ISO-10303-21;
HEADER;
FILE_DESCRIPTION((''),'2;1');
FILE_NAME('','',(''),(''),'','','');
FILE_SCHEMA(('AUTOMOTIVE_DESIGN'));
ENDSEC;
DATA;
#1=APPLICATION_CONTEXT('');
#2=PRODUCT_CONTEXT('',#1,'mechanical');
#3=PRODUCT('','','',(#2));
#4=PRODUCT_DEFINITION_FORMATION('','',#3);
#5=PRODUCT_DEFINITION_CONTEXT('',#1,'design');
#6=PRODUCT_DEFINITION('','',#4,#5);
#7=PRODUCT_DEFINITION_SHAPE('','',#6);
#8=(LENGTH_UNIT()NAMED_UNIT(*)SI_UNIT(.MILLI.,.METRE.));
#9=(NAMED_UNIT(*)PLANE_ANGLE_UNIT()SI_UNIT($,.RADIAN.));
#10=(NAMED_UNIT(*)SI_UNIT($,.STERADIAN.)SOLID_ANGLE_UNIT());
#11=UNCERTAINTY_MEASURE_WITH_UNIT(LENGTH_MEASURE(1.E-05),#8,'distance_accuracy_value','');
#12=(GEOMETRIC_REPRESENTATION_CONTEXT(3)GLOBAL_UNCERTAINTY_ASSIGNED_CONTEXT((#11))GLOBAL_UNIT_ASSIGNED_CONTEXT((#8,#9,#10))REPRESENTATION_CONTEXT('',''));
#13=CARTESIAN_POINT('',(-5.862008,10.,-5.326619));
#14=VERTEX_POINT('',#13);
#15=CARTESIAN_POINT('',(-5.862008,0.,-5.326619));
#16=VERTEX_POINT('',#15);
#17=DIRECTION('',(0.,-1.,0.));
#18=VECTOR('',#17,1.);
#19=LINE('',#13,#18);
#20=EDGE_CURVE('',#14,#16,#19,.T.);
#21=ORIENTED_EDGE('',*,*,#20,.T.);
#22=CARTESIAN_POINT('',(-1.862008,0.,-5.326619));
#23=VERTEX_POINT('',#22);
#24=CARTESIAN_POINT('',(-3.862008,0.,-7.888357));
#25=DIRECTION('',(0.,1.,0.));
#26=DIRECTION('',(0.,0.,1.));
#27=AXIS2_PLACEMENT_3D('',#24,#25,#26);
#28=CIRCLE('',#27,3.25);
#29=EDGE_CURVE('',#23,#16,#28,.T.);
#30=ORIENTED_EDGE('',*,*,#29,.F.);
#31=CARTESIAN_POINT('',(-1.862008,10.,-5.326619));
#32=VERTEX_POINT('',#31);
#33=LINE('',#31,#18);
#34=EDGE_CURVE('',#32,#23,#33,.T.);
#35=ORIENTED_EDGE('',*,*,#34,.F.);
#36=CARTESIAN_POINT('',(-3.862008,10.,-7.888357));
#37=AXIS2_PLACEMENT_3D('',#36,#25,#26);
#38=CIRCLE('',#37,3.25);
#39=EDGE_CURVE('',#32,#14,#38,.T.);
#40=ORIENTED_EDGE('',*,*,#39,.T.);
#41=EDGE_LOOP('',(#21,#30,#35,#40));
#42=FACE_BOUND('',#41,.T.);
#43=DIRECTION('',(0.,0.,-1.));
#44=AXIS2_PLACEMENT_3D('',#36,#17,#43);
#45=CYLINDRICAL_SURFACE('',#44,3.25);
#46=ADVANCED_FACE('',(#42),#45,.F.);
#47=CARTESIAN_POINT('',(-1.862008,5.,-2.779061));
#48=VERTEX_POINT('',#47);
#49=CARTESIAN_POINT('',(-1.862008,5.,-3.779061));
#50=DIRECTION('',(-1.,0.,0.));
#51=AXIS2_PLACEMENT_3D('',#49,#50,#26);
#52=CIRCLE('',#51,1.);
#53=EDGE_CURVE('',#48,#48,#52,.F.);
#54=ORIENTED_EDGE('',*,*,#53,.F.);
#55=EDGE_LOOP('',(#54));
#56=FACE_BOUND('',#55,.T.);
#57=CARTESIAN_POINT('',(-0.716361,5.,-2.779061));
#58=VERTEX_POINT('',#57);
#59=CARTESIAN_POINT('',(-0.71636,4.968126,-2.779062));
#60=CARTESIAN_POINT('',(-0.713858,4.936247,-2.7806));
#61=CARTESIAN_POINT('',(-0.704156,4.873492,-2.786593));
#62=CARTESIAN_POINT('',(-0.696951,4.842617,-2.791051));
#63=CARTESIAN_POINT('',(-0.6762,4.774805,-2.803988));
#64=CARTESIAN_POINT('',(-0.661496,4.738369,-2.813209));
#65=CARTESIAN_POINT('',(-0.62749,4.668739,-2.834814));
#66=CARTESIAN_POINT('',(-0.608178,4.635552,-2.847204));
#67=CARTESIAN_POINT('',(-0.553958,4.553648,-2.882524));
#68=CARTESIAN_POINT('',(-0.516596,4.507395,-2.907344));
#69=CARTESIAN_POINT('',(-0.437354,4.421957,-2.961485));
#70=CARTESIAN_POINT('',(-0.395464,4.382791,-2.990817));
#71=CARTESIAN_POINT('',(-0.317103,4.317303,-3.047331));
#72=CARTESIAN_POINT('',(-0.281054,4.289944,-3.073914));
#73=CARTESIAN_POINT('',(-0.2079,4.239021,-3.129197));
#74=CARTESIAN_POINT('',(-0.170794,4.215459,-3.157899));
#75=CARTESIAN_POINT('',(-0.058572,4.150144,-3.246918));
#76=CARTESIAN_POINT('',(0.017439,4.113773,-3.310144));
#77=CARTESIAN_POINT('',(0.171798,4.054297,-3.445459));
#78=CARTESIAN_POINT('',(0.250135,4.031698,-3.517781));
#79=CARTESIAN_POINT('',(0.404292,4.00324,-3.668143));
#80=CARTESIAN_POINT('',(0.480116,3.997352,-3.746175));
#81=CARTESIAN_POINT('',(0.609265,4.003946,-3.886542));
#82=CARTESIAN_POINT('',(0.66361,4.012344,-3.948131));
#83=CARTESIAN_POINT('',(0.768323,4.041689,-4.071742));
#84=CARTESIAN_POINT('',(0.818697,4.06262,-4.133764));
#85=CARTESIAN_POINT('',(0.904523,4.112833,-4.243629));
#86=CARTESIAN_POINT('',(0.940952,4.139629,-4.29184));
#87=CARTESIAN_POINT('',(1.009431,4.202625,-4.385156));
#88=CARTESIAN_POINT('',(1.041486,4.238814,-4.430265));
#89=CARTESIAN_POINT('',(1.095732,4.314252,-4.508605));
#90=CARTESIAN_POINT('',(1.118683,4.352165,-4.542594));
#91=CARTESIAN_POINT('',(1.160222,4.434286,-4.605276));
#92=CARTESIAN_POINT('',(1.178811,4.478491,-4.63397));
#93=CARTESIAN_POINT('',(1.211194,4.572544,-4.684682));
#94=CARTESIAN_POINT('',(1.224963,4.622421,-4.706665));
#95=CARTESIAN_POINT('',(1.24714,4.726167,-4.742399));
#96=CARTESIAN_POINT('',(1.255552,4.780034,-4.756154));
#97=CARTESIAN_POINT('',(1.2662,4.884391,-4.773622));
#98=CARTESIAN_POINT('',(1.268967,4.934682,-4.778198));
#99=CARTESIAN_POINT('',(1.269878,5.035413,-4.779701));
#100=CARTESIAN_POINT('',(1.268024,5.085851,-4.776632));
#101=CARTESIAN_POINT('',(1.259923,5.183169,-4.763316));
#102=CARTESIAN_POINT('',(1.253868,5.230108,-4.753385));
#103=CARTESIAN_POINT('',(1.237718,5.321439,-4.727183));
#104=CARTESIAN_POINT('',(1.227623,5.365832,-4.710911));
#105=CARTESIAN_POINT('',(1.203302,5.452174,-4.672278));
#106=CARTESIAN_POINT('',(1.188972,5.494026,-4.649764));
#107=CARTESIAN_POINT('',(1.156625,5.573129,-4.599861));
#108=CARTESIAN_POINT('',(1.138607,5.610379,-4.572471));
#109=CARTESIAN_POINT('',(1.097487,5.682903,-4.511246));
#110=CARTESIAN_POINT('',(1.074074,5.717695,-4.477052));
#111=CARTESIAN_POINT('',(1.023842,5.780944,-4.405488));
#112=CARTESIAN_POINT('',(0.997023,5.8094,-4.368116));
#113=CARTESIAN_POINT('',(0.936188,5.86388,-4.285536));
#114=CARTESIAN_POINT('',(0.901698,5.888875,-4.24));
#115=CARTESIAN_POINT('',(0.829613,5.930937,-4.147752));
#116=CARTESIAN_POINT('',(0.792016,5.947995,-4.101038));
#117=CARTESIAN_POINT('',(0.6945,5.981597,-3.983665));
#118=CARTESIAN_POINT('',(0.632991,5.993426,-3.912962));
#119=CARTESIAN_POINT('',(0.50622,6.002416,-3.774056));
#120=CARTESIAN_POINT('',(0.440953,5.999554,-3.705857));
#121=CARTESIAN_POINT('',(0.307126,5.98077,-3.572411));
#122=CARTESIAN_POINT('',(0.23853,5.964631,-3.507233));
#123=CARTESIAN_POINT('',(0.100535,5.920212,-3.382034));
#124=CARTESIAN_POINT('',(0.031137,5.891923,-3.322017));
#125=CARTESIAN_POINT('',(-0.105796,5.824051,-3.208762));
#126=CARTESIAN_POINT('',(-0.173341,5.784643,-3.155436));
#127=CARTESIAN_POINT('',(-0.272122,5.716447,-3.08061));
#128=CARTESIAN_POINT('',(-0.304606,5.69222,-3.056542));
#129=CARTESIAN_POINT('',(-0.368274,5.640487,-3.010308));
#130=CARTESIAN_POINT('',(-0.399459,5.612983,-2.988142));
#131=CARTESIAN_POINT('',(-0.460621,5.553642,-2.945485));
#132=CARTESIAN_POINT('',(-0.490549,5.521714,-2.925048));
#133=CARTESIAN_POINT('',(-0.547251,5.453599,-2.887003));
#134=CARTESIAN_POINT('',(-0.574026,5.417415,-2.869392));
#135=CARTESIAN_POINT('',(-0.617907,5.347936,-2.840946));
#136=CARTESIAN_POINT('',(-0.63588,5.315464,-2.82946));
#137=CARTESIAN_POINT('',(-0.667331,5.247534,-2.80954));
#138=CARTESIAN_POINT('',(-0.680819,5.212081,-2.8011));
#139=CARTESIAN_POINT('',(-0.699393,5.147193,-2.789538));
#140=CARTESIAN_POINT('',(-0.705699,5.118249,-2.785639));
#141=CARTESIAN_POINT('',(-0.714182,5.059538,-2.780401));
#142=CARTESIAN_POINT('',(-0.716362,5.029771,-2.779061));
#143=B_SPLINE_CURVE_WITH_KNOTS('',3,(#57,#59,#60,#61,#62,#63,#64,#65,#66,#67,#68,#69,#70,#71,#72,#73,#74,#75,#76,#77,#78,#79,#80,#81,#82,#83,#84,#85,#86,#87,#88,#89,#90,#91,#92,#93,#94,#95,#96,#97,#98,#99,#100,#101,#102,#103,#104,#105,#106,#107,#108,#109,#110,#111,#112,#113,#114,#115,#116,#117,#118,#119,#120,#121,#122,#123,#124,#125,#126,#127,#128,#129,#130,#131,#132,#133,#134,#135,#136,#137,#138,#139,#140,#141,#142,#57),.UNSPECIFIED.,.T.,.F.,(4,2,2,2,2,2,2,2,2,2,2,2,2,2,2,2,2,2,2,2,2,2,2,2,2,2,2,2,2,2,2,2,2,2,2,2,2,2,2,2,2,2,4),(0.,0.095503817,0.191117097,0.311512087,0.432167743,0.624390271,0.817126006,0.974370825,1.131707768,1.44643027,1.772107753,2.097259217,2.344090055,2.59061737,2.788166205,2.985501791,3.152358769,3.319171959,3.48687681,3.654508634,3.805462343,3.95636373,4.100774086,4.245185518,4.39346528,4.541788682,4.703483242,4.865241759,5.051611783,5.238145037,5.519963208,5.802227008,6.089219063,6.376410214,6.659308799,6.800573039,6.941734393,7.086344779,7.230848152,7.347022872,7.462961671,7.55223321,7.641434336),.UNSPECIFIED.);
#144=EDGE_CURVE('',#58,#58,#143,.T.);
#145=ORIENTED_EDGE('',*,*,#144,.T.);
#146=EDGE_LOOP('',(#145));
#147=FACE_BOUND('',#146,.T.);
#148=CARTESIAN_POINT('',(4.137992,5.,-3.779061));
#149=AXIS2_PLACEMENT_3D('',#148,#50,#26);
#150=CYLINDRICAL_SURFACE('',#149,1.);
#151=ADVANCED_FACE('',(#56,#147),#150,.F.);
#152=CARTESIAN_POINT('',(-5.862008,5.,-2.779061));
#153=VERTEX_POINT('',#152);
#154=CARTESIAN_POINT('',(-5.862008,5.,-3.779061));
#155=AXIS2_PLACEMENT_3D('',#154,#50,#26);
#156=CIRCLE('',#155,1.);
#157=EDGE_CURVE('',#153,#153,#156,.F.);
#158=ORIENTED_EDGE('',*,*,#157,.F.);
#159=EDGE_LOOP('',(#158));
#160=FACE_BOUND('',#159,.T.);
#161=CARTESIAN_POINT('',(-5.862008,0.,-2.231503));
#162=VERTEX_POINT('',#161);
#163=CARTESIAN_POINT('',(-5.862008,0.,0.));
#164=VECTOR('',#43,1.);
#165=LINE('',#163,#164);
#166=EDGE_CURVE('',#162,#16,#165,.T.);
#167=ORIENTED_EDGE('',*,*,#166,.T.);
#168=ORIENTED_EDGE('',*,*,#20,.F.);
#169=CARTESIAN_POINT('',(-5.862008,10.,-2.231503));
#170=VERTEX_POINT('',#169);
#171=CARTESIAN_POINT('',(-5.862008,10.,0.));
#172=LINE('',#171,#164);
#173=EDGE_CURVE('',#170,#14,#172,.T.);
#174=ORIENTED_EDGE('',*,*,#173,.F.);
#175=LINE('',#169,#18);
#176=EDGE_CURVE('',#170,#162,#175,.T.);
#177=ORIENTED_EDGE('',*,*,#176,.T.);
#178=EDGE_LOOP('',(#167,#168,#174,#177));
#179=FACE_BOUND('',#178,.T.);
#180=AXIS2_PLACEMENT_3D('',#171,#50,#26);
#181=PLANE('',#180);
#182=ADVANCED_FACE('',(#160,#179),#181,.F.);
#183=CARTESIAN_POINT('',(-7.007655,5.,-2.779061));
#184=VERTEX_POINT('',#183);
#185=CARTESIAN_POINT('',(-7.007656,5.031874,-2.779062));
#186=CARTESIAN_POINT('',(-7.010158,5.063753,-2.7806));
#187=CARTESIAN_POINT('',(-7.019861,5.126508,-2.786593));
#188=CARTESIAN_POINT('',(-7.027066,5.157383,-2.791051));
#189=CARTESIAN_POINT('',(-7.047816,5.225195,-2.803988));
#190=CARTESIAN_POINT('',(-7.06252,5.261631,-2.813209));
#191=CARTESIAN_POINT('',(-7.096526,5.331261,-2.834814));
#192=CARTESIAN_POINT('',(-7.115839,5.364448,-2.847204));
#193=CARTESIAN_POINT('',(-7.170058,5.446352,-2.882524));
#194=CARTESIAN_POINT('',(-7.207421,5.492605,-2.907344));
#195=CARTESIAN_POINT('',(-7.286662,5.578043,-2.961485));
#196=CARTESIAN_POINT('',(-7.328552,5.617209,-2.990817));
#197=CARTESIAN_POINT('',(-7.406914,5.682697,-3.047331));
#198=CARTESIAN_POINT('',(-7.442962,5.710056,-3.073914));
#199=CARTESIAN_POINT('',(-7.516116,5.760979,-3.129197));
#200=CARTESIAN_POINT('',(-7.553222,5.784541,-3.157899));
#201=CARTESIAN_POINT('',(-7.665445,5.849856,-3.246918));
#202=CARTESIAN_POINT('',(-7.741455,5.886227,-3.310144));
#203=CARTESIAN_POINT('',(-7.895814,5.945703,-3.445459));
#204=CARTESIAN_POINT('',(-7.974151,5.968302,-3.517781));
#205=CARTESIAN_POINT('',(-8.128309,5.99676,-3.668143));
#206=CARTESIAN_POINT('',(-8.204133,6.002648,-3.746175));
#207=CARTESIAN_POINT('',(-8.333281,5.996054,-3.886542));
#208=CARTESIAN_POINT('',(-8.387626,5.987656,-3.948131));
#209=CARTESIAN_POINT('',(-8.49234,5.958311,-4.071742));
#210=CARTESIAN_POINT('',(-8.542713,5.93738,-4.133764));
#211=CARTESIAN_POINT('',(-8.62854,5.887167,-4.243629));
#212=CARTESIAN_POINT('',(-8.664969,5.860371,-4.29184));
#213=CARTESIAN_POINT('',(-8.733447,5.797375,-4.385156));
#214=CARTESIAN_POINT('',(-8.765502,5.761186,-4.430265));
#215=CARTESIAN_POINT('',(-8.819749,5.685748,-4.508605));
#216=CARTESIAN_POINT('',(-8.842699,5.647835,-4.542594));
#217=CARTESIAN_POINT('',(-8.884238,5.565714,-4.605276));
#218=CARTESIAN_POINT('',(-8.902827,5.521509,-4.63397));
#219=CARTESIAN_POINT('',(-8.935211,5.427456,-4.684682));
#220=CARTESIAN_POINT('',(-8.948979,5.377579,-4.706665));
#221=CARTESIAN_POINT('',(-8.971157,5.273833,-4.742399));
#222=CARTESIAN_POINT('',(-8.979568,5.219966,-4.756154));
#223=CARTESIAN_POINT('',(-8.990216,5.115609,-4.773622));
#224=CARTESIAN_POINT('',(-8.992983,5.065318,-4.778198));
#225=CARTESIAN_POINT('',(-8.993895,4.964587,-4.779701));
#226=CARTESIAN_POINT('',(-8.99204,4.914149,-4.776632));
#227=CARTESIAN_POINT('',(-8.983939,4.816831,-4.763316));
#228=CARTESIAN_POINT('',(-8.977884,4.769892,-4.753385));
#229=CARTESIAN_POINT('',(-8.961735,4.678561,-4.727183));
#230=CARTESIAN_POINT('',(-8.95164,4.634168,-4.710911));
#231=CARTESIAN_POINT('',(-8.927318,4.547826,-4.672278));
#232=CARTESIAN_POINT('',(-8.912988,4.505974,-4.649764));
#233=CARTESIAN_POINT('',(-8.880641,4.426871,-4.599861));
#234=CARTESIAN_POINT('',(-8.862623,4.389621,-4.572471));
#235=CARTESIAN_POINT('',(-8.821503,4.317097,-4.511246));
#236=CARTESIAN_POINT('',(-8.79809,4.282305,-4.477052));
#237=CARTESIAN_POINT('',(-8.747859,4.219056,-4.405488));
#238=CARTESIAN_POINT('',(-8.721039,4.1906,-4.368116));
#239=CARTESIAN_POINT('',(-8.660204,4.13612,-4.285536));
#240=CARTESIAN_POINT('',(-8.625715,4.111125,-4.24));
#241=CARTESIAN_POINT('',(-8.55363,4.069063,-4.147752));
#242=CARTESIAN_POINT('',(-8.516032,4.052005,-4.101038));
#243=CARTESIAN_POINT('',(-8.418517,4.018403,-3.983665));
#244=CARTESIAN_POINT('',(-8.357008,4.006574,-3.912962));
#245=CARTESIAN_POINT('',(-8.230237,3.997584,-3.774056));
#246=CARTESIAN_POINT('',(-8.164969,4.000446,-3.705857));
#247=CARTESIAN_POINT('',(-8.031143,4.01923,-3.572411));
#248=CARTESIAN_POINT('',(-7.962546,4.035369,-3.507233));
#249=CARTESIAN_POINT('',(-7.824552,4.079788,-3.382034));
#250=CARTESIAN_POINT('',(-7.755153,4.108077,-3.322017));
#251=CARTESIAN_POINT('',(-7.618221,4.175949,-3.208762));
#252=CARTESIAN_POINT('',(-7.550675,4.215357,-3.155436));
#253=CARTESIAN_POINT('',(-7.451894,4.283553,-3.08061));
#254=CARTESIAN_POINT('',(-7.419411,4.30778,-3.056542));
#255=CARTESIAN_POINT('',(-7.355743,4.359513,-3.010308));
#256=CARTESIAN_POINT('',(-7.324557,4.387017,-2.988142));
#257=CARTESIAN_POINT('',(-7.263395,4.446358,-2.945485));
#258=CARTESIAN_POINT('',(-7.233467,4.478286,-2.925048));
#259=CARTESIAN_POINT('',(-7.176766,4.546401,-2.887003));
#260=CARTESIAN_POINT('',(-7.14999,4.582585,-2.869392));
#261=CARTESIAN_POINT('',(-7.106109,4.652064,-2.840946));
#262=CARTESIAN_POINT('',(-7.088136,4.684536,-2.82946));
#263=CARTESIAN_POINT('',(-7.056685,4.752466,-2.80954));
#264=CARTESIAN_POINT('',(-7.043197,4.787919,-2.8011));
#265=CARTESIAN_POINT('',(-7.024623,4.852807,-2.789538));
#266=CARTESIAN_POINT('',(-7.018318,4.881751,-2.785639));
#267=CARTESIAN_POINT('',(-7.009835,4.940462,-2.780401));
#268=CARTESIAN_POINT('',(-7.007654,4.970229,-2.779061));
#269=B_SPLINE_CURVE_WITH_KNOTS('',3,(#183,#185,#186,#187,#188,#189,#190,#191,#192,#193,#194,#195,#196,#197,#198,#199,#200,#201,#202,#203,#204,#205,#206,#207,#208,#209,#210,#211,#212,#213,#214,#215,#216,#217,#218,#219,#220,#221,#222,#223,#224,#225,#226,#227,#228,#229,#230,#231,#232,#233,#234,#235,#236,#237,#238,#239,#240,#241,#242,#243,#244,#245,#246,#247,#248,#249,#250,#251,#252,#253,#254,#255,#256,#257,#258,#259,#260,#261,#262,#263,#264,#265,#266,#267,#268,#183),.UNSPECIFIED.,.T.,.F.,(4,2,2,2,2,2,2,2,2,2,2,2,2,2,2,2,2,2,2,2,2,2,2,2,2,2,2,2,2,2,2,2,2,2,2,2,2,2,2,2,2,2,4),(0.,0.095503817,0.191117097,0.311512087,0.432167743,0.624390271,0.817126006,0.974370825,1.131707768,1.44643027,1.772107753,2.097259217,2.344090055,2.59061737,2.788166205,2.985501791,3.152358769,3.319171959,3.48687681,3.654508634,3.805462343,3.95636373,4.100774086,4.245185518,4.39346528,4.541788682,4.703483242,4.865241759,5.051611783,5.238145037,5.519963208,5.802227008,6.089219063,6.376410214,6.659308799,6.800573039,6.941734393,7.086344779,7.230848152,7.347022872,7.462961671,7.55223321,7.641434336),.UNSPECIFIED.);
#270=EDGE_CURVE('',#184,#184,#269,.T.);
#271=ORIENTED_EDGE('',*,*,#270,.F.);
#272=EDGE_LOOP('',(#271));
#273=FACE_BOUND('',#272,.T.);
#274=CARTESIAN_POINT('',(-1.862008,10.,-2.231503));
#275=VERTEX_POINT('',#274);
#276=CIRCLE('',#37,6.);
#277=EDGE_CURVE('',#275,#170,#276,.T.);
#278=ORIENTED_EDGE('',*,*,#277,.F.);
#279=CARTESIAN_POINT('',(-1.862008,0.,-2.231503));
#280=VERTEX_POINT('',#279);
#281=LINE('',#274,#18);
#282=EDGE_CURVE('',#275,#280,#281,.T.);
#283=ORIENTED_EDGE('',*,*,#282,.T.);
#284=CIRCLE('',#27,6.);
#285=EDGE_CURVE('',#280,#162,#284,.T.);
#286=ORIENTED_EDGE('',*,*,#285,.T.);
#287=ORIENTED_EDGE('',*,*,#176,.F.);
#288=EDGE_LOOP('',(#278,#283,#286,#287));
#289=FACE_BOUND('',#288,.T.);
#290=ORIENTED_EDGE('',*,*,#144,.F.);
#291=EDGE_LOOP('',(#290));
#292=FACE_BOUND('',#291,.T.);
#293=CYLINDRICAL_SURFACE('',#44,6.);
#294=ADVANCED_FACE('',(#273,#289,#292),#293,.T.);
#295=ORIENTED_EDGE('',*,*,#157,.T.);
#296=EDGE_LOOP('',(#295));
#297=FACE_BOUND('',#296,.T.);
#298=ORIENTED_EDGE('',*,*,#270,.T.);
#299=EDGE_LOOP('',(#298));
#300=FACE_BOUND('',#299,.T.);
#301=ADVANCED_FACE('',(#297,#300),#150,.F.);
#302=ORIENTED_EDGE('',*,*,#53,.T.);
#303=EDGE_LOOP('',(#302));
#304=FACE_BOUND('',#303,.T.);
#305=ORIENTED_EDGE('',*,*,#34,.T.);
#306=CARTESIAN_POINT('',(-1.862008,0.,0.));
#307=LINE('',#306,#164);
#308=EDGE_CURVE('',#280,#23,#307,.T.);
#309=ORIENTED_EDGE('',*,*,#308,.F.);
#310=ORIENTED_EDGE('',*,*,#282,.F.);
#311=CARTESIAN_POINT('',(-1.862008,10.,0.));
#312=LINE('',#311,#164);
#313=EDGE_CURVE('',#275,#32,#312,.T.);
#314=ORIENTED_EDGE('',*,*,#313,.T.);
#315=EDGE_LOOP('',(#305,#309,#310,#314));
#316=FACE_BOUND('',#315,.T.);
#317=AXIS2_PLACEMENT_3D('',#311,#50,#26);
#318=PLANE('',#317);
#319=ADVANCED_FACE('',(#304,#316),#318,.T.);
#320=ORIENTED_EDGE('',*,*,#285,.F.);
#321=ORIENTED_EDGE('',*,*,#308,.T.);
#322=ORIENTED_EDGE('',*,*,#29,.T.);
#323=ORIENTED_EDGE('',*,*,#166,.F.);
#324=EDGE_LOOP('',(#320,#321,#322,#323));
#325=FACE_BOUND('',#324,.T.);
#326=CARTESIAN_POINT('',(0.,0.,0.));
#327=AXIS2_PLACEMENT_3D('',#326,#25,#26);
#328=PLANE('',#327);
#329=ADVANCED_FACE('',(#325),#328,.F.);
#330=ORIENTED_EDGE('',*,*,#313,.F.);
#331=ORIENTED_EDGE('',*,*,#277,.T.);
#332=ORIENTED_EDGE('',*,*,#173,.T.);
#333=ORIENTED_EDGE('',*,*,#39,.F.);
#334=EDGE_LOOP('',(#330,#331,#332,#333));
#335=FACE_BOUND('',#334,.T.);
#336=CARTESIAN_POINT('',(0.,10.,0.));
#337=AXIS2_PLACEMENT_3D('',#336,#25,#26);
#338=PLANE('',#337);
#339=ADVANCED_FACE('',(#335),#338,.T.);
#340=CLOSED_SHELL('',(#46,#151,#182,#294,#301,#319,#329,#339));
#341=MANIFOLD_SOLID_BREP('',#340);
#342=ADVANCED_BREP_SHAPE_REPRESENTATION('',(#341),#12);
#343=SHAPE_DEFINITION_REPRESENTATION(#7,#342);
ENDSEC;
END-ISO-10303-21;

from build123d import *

# Parameters (mm, degrees)
BOSS_EXTRUDE1_DEPTH     = 10
CUT_EXTRUDE1_DEPTH      = 10
CUT_EXTRUDE1_DEPTH_BACK = 10
SKETCH2_R               = 1


with BuildPart() as part:
    # Sketch1 → Boss-Extrude1 (new body)
    with BuildSketch(Plane(origin=(0, 0, 0), x_dir=(1, 0, 0), z_dir=(0, 1, 0))):
        with BuildLine():
            Line((-5.862008202, 2.231502929), (-5.862008202, 5.326619487))
            ThreePointArc((-5.862008202, 5.326619487), (-5.287227483, 10.80918754), (-0.612008202, 7.888357178))
            ThreePointArc((-0.612008202, 7.888357178), (-0.941177841, 6.463137897), (-1.862008202, 5.326619487))
            Line((-1.862008202, 5.326619487), (-1.862008202, 2.231502929))
            ThreePointArc((-1.862008202, 2.231502929), (1.036971284, 4.424255563), (2.137991798, 7.888357178))
            ThreePointArc((2.137991798, 7.888357178), (-7.326109817, 12.787336664), (-5.862008202, 2.231502929))
        make_face()
    extrude(amount=BOSS_EXTRUDE1_DEPTH)

    # Sketch2 → Cut-Extrude1 (cut, two sides: drawn at the far end of the back side and taken through both)
    with BuildSketch(Plane(origin=(-5.862008202, 0, 0), x_dir=(0, 0, -1), z_dir=(1, 0, 0)).offset(-CUT_EXTRUDE1_DEPTH_BACK)):
        with Locations(Location((3.779061208, 5, 0), (0, 0, 180))):
            Circle(SKETCH2_R)
    extrude(amount=CUT_EXTRUDE1_DEPTH + CUT_EXTRUDE1_DEPTH_BACK, mode=Mode.SUBTRACT)


solid = part.part
